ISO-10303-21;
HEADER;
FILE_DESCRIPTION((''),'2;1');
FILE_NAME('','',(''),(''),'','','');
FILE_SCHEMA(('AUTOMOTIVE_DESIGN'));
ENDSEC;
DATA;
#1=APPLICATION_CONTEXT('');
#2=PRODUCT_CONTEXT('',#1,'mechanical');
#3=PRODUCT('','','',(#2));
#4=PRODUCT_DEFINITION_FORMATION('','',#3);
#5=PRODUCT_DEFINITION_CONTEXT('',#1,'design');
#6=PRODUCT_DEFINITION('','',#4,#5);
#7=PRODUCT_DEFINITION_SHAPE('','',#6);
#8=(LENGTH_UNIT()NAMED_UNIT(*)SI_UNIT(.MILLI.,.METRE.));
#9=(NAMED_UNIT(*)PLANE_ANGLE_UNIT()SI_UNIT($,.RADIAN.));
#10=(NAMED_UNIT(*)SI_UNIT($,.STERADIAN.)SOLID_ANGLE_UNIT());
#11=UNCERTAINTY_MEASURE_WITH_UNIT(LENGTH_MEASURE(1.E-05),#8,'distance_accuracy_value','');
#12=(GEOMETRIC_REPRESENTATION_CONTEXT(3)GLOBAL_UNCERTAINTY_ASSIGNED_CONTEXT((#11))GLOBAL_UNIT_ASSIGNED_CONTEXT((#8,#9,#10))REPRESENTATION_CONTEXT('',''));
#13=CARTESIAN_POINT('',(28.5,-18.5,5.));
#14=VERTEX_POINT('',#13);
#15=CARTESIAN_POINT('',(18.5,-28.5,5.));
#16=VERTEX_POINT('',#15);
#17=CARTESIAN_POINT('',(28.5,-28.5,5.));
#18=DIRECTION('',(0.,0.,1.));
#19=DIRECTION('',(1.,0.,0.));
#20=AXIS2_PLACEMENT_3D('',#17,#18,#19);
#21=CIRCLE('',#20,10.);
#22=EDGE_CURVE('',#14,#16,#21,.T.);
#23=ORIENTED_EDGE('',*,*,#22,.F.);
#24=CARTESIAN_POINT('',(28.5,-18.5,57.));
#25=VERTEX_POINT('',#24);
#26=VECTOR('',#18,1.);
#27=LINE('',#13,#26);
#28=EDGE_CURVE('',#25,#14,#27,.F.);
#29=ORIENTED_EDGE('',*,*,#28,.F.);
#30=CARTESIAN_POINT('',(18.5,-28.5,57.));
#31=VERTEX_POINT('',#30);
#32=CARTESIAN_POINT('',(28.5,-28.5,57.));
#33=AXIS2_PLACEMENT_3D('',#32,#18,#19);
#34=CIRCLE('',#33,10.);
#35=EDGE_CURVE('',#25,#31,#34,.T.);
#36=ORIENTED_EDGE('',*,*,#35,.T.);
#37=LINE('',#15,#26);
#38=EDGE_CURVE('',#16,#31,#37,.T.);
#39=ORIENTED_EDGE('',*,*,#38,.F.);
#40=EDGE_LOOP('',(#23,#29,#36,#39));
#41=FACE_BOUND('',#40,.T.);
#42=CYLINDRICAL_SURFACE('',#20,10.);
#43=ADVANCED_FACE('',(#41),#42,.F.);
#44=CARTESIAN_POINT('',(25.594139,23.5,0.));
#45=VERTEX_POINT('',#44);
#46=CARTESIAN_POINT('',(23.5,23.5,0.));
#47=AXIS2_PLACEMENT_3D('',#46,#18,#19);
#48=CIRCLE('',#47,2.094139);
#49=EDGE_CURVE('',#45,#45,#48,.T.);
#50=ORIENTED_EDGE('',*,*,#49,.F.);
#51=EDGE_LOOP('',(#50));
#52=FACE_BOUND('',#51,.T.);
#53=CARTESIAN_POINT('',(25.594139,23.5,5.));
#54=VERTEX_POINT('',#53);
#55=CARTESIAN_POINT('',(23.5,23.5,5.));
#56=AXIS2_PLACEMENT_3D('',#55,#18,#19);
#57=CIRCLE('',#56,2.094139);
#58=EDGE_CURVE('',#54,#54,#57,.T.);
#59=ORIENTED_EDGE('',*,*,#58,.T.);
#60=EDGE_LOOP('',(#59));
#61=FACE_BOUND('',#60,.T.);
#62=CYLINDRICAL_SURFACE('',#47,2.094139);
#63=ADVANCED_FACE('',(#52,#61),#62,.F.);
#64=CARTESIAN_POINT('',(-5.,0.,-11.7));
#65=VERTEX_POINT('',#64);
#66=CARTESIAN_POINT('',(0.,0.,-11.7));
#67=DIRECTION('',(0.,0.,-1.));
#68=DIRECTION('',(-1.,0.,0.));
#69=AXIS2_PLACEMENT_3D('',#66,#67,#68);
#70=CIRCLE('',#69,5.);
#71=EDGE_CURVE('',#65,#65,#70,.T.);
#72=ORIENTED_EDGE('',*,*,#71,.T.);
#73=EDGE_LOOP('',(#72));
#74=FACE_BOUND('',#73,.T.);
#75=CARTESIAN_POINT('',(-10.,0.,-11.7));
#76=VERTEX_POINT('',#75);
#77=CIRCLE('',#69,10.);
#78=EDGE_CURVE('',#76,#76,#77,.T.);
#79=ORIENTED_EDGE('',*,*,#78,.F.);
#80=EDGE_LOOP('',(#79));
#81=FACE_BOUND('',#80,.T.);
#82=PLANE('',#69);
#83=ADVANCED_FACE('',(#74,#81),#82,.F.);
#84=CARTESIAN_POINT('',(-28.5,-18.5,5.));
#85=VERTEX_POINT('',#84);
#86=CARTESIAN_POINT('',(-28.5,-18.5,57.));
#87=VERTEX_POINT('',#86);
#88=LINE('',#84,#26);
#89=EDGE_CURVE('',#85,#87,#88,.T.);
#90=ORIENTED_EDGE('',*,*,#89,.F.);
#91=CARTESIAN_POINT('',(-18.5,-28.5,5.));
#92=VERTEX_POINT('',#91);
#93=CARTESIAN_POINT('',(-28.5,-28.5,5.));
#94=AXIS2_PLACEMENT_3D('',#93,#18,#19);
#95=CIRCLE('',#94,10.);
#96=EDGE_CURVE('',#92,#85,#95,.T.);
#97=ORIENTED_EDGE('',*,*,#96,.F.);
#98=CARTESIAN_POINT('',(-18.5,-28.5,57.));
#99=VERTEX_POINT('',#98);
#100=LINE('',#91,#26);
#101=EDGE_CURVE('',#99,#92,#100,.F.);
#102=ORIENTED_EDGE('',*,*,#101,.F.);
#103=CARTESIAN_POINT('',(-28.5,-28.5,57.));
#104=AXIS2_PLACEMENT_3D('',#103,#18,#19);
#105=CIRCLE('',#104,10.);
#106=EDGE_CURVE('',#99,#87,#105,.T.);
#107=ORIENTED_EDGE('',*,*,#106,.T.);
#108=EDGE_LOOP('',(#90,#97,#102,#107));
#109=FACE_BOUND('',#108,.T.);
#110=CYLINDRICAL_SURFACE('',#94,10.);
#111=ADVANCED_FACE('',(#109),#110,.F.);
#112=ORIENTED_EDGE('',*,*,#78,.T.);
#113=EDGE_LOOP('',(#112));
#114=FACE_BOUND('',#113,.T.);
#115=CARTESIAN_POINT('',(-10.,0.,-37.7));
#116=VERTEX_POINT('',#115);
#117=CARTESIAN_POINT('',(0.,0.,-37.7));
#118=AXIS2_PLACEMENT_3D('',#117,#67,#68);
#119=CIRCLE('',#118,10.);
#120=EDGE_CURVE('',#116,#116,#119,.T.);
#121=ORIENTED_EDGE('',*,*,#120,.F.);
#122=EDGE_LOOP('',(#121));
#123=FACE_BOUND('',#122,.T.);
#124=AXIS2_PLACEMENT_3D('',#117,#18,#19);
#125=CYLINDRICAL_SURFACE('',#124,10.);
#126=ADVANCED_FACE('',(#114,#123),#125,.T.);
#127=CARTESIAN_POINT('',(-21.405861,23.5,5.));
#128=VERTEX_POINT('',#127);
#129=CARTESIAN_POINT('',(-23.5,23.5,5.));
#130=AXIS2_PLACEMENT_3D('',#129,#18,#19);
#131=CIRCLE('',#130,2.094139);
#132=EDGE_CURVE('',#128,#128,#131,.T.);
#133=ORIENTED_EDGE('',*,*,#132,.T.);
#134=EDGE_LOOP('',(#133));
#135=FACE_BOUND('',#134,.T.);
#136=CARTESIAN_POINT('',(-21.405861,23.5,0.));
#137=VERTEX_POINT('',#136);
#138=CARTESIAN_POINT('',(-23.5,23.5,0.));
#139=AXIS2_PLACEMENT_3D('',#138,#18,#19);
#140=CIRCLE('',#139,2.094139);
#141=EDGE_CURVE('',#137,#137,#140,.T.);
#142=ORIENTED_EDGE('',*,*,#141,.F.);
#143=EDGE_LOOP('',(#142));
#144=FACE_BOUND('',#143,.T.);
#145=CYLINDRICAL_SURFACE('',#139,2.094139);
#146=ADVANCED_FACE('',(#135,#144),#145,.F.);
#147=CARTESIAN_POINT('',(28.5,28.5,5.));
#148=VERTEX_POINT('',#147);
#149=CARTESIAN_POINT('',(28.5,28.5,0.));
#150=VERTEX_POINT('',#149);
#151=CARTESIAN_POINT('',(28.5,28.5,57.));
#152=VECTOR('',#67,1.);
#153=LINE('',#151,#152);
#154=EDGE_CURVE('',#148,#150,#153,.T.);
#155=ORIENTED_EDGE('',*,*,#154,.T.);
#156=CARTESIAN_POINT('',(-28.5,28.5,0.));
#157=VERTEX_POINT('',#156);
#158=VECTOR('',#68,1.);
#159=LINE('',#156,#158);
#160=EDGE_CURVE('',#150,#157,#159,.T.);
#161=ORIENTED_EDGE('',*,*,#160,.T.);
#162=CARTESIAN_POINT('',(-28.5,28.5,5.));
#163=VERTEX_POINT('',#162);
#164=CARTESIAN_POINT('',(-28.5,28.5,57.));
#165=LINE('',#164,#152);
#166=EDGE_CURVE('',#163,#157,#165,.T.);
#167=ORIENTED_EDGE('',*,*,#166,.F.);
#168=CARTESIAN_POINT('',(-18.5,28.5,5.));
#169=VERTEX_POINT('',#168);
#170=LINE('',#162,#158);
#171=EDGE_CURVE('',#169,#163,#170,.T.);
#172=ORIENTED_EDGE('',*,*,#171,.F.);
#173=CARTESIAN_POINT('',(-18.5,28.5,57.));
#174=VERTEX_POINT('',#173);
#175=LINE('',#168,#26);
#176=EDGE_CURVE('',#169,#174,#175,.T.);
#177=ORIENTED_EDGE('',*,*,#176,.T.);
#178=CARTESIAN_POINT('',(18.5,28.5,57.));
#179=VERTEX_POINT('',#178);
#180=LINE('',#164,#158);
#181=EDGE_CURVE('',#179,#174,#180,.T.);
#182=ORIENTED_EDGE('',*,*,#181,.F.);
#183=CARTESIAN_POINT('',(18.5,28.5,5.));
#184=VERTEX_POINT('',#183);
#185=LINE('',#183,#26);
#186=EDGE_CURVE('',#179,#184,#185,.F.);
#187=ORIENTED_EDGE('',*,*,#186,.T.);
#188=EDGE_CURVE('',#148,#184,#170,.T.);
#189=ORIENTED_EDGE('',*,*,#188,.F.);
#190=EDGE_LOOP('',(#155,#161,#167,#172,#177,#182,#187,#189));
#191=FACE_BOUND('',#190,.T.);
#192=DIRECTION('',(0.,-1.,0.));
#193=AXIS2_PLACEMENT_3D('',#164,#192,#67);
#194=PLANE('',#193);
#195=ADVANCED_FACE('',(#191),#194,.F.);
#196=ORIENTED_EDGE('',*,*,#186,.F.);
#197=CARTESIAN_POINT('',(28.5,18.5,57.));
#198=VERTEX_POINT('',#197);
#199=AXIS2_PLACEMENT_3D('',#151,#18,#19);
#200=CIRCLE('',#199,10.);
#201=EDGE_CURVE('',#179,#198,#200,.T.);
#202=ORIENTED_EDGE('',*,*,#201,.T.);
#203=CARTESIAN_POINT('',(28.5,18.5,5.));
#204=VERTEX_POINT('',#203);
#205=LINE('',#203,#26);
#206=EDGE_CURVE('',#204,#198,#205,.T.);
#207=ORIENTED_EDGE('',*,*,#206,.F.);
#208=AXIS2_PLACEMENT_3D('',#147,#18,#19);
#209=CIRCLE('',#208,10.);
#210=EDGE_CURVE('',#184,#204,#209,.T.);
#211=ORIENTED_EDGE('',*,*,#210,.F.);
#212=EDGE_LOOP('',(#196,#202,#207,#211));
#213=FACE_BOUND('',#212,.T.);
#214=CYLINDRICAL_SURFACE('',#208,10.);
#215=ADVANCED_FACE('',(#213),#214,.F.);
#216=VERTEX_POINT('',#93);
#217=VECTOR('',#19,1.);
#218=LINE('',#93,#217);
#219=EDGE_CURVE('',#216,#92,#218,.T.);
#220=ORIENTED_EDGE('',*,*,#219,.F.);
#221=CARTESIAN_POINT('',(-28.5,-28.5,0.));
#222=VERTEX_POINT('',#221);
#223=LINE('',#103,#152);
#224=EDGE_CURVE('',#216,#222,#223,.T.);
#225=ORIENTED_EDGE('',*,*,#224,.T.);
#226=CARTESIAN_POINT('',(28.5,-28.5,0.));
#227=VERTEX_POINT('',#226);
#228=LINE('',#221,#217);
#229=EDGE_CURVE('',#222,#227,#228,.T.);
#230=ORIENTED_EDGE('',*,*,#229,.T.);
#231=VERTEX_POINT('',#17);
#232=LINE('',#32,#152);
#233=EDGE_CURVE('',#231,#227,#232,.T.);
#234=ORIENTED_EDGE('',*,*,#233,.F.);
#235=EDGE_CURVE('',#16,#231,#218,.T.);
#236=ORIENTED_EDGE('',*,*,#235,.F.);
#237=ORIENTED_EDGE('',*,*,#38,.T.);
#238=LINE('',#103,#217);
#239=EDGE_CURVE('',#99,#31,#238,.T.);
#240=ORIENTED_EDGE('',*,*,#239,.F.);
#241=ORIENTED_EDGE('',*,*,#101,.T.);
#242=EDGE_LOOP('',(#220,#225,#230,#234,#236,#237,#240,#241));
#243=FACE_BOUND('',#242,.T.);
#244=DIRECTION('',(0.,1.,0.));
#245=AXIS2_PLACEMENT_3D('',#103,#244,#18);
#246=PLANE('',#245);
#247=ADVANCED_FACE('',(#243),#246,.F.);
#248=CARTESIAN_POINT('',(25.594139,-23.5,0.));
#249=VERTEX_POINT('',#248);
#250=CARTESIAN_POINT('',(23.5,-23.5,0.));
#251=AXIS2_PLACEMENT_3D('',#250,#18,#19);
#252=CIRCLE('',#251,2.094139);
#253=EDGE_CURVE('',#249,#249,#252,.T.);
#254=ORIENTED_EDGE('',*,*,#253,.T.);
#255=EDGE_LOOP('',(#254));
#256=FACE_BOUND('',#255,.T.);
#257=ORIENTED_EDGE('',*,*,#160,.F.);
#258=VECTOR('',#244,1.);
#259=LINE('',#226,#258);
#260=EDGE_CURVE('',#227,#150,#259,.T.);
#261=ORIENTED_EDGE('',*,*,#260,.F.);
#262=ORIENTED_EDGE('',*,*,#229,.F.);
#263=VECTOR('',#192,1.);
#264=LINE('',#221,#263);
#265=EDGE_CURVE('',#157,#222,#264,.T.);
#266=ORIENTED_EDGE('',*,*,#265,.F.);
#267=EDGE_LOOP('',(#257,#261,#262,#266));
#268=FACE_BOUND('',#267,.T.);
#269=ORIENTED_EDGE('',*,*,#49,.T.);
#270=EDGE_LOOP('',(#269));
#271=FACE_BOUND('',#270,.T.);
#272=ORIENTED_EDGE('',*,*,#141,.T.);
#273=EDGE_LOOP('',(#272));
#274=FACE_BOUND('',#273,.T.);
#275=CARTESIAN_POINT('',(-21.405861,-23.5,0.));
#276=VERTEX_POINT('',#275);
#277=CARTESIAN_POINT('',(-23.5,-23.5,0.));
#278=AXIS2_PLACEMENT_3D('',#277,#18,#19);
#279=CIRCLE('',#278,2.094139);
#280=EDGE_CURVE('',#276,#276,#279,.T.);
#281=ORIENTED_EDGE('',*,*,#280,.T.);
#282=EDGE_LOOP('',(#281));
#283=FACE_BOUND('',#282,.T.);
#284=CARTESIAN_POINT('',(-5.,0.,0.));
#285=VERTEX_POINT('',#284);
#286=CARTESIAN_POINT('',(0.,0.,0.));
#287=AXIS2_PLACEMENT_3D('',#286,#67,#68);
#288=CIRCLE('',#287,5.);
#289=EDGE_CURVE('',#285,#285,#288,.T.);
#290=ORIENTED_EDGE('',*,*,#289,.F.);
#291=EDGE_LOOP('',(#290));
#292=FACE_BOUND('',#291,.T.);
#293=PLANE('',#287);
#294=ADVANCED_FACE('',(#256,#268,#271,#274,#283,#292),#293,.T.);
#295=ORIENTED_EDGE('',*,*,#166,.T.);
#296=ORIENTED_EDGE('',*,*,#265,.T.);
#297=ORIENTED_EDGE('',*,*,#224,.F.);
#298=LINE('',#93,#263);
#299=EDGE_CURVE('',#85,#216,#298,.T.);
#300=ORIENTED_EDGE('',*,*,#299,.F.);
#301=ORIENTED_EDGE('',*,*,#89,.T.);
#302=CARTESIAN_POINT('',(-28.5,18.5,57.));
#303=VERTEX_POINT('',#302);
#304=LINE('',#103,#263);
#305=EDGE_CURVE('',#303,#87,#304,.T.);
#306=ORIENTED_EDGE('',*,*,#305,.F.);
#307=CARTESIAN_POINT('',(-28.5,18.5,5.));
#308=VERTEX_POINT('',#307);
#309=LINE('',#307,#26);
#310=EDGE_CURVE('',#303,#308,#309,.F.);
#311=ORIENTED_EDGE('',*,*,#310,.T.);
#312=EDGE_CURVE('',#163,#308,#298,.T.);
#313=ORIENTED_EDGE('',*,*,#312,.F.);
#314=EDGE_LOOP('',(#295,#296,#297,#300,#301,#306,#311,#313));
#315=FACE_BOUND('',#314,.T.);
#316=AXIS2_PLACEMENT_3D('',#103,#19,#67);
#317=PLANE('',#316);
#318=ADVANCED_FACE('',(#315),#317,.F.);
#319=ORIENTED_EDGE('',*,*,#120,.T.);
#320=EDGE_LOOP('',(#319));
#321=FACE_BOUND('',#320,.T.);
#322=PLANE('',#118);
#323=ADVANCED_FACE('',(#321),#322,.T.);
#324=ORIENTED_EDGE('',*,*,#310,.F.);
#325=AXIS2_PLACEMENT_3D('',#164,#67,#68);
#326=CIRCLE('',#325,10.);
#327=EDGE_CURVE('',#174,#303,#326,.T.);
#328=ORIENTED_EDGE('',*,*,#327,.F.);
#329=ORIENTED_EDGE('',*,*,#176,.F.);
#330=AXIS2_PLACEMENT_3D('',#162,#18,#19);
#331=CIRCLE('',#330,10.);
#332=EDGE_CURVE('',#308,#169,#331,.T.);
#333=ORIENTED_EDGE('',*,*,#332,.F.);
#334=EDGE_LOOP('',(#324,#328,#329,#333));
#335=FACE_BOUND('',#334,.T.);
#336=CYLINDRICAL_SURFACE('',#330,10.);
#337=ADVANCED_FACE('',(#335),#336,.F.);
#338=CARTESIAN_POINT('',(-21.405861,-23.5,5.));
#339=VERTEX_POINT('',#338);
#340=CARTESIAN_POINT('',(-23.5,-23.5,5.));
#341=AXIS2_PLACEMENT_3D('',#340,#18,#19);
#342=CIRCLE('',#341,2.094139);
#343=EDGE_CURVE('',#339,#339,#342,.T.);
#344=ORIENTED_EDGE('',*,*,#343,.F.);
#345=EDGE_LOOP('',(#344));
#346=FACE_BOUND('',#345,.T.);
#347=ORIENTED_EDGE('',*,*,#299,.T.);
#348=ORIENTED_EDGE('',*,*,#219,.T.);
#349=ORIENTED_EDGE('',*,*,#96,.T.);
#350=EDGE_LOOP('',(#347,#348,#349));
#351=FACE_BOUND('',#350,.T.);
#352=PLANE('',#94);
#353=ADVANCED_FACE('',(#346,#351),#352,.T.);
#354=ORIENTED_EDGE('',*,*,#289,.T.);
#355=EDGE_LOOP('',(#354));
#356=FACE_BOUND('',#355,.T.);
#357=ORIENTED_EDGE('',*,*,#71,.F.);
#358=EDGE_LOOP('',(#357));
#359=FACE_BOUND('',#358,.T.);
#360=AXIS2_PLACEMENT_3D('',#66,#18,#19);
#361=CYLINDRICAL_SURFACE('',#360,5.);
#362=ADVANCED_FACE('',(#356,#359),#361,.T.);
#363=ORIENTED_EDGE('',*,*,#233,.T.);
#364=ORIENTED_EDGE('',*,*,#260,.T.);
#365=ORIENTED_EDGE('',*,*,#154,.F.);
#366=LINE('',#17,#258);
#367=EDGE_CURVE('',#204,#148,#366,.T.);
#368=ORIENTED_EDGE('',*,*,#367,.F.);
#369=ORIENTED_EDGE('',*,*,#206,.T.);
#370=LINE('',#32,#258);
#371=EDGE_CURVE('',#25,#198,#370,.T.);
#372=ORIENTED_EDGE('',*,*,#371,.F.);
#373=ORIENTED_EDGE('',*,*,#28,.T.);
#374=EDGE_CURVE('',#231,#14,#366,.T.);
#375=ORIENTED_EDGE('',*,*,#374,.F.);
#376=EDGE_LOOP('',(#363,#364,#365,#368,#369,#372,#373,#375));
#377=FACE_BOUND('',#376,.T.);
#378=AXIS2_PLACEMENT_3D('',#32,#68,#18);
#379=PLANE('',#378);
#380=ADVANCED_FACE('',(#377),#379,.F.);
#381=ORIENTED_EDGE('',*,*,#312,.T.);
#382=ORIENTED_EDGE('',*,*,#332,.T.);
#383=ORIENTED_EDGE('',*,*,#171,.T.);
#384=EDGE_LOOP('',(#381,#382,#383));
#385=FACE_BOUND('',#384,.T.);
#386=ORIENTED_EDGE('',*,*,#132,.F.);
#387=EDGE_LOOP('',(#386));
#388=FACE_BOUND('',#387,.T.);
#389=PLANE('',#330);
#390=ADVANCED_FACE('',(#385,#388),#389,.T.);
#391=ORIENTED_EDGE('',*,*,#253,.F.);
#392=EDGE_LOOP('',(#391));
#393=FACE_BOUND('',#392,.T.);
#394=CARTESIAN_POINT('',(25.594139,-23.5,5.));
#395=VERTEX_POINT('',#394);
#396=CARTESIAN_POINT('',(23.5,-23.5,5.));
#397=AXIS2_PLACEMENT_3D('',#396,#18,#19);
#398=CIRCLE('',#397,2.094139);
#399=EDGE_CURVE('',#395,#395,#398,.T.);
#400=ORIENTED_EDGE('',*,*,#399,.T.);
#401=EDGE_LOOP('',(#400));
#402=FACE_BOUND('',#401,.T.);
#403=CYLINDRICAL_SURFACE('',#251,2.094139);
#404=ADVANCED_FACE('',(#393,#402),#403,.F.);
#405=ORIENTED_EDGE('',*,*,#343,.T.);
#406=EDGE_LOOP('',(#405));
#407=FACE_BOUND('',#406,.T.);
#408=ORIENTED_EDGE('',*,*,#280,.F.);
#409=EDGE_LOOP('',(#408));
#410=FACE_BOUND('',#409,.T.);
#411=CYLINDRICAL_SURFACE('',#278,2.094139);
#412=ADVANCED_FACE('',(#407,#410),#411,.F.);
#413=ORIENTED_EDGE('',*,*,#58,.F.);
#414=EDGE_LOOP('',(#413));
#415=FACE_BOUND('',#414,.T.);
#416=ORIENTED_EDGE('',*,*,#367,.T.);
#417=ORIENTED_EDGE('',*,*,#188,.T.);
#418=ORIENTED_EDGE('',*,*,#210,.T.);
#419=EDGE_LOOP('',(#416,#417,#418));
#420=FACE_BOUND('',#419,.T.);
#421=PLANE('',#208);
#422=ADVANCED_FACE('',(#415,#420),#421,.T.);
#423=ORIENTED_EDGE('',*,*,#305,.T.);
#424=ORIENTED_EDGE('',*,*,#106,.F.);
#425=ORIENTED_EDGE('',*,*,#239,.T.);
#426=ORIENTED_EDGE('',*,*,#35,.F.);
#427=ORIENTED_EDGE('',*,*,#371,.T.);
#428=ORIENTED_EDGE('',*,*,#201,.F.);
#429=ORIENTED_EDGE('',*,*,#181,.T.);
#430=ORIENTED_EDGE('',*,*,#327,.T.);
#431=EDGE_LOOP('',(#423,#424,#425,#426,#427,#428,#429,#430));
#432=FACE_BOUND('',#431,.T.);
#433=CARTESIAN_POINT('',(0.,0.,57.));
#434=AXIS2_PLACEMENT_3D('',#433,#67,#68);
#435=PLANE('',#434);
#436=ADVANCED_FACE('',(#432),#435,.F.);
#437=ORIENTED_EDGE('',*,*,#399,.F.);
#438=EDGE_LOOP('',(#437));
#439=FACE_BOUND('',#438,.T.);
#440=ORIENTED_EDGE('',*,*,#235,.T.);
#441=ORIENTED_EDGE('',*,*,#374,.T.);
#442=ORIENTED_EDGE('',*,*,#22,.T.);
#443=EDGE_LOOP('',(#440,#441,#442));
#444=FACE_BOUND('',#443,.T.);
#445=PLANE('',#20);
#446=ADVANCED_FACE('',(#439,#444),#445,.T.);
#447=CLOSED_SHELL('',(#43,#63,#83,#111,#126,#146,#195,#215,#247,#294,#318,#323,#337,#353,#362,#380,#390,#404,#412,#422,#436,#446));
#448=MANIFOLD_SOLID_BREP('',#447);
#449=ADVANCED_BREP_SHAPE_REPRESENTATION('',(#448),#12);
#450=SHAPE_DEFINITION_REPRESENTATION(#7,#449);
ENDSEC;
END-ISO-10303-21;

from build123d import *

# Parameters (mm, degrees)
SKETCH_1_W          = 57
SKETCH_1_H          = 57
EXTRUDE_1_DEPTH     = 57
SKETCH_2_R          = 10
CUT_EXTRUDE_1_DEPTH = 52
SKETCH_3_R          = 2.094139209
CUT_EXTRUDE_3_DEPTH = 6
SKETCH_4_R          = 5
EXTRUDE_3_DEPTH     = 11.7
SKETCH_5_R          = 10
EXTRUDE_4_DEPTH     = 26


with BuildPart() as part:
    # 草图1 → 凸台-拉伸1 (new body)
    with BuildSketch(Plane.XY):
        Rectangle(SKETCH_1_W, SKETCH_1_H)
    extrude(amount=EXTRUDE_1_DEPTH)

    # 草图2 → 切除-拉伸1 (cut)
    with BuildSketch(Plane.XY.offset(57)):
        with Locations((28.5, 28.5)):
            Circle(SKETCH_2_R)
        with Locations((-28.5, 28.5)):
            Circle(SKETCH_2_R)
        with Locations((28.5, -28.5)):
            Circle(SKETCH_2_R)
        with Locations((-28.5, -28.5)):
            Circle(SKETCH_2_R)
    extrude(amount=-CUT_EXTRUDE_1_DEPTH, mode=Mode.SUBTRACT)

    # 草图3 → 切除-拉伸3 (cut, through all)
    with BuildSketch(Plane.XY.offset(5)):
        with Locations((23.5, -23.5)):
            Circle(SKETCH_3_R)
        with Locations((-23.5, -23.5)):
            Circle(SKETCH_3_R)
        with Locations((-23.5, 23.5)):
            Circle(SKETCH_3_R)
        with Locations((23.5, 23.5)):
            Circle(SKETCH_3_R)
    extrude(amount=-CUT_EXTRUDE_3_DEPTH, mode=Mode.SUBTRACT)

    # 草图4 → 凸台-拉伸3 (add)
    with BuildSketch(Plane(origin=(0, 0, 0), x_dir=(-1, 0, 0), z_dir=(0, 0, -1))):
        Circle(SKETCH_4_R)
    extrude(amount=EXTRUDE_3_DEPTH)

    # 草图5 → 凸台-拉伸4 (add)
    with BuildSketch(Plane(origin=(0, 0, -11.7), x_dir=(-1, 0, 0), z_dir=(0, 0, -1))):
        Circle(SKETCH_5_R)
    extrude(amount=EXTRUDE_4_DEPTH)


solid = part.part
